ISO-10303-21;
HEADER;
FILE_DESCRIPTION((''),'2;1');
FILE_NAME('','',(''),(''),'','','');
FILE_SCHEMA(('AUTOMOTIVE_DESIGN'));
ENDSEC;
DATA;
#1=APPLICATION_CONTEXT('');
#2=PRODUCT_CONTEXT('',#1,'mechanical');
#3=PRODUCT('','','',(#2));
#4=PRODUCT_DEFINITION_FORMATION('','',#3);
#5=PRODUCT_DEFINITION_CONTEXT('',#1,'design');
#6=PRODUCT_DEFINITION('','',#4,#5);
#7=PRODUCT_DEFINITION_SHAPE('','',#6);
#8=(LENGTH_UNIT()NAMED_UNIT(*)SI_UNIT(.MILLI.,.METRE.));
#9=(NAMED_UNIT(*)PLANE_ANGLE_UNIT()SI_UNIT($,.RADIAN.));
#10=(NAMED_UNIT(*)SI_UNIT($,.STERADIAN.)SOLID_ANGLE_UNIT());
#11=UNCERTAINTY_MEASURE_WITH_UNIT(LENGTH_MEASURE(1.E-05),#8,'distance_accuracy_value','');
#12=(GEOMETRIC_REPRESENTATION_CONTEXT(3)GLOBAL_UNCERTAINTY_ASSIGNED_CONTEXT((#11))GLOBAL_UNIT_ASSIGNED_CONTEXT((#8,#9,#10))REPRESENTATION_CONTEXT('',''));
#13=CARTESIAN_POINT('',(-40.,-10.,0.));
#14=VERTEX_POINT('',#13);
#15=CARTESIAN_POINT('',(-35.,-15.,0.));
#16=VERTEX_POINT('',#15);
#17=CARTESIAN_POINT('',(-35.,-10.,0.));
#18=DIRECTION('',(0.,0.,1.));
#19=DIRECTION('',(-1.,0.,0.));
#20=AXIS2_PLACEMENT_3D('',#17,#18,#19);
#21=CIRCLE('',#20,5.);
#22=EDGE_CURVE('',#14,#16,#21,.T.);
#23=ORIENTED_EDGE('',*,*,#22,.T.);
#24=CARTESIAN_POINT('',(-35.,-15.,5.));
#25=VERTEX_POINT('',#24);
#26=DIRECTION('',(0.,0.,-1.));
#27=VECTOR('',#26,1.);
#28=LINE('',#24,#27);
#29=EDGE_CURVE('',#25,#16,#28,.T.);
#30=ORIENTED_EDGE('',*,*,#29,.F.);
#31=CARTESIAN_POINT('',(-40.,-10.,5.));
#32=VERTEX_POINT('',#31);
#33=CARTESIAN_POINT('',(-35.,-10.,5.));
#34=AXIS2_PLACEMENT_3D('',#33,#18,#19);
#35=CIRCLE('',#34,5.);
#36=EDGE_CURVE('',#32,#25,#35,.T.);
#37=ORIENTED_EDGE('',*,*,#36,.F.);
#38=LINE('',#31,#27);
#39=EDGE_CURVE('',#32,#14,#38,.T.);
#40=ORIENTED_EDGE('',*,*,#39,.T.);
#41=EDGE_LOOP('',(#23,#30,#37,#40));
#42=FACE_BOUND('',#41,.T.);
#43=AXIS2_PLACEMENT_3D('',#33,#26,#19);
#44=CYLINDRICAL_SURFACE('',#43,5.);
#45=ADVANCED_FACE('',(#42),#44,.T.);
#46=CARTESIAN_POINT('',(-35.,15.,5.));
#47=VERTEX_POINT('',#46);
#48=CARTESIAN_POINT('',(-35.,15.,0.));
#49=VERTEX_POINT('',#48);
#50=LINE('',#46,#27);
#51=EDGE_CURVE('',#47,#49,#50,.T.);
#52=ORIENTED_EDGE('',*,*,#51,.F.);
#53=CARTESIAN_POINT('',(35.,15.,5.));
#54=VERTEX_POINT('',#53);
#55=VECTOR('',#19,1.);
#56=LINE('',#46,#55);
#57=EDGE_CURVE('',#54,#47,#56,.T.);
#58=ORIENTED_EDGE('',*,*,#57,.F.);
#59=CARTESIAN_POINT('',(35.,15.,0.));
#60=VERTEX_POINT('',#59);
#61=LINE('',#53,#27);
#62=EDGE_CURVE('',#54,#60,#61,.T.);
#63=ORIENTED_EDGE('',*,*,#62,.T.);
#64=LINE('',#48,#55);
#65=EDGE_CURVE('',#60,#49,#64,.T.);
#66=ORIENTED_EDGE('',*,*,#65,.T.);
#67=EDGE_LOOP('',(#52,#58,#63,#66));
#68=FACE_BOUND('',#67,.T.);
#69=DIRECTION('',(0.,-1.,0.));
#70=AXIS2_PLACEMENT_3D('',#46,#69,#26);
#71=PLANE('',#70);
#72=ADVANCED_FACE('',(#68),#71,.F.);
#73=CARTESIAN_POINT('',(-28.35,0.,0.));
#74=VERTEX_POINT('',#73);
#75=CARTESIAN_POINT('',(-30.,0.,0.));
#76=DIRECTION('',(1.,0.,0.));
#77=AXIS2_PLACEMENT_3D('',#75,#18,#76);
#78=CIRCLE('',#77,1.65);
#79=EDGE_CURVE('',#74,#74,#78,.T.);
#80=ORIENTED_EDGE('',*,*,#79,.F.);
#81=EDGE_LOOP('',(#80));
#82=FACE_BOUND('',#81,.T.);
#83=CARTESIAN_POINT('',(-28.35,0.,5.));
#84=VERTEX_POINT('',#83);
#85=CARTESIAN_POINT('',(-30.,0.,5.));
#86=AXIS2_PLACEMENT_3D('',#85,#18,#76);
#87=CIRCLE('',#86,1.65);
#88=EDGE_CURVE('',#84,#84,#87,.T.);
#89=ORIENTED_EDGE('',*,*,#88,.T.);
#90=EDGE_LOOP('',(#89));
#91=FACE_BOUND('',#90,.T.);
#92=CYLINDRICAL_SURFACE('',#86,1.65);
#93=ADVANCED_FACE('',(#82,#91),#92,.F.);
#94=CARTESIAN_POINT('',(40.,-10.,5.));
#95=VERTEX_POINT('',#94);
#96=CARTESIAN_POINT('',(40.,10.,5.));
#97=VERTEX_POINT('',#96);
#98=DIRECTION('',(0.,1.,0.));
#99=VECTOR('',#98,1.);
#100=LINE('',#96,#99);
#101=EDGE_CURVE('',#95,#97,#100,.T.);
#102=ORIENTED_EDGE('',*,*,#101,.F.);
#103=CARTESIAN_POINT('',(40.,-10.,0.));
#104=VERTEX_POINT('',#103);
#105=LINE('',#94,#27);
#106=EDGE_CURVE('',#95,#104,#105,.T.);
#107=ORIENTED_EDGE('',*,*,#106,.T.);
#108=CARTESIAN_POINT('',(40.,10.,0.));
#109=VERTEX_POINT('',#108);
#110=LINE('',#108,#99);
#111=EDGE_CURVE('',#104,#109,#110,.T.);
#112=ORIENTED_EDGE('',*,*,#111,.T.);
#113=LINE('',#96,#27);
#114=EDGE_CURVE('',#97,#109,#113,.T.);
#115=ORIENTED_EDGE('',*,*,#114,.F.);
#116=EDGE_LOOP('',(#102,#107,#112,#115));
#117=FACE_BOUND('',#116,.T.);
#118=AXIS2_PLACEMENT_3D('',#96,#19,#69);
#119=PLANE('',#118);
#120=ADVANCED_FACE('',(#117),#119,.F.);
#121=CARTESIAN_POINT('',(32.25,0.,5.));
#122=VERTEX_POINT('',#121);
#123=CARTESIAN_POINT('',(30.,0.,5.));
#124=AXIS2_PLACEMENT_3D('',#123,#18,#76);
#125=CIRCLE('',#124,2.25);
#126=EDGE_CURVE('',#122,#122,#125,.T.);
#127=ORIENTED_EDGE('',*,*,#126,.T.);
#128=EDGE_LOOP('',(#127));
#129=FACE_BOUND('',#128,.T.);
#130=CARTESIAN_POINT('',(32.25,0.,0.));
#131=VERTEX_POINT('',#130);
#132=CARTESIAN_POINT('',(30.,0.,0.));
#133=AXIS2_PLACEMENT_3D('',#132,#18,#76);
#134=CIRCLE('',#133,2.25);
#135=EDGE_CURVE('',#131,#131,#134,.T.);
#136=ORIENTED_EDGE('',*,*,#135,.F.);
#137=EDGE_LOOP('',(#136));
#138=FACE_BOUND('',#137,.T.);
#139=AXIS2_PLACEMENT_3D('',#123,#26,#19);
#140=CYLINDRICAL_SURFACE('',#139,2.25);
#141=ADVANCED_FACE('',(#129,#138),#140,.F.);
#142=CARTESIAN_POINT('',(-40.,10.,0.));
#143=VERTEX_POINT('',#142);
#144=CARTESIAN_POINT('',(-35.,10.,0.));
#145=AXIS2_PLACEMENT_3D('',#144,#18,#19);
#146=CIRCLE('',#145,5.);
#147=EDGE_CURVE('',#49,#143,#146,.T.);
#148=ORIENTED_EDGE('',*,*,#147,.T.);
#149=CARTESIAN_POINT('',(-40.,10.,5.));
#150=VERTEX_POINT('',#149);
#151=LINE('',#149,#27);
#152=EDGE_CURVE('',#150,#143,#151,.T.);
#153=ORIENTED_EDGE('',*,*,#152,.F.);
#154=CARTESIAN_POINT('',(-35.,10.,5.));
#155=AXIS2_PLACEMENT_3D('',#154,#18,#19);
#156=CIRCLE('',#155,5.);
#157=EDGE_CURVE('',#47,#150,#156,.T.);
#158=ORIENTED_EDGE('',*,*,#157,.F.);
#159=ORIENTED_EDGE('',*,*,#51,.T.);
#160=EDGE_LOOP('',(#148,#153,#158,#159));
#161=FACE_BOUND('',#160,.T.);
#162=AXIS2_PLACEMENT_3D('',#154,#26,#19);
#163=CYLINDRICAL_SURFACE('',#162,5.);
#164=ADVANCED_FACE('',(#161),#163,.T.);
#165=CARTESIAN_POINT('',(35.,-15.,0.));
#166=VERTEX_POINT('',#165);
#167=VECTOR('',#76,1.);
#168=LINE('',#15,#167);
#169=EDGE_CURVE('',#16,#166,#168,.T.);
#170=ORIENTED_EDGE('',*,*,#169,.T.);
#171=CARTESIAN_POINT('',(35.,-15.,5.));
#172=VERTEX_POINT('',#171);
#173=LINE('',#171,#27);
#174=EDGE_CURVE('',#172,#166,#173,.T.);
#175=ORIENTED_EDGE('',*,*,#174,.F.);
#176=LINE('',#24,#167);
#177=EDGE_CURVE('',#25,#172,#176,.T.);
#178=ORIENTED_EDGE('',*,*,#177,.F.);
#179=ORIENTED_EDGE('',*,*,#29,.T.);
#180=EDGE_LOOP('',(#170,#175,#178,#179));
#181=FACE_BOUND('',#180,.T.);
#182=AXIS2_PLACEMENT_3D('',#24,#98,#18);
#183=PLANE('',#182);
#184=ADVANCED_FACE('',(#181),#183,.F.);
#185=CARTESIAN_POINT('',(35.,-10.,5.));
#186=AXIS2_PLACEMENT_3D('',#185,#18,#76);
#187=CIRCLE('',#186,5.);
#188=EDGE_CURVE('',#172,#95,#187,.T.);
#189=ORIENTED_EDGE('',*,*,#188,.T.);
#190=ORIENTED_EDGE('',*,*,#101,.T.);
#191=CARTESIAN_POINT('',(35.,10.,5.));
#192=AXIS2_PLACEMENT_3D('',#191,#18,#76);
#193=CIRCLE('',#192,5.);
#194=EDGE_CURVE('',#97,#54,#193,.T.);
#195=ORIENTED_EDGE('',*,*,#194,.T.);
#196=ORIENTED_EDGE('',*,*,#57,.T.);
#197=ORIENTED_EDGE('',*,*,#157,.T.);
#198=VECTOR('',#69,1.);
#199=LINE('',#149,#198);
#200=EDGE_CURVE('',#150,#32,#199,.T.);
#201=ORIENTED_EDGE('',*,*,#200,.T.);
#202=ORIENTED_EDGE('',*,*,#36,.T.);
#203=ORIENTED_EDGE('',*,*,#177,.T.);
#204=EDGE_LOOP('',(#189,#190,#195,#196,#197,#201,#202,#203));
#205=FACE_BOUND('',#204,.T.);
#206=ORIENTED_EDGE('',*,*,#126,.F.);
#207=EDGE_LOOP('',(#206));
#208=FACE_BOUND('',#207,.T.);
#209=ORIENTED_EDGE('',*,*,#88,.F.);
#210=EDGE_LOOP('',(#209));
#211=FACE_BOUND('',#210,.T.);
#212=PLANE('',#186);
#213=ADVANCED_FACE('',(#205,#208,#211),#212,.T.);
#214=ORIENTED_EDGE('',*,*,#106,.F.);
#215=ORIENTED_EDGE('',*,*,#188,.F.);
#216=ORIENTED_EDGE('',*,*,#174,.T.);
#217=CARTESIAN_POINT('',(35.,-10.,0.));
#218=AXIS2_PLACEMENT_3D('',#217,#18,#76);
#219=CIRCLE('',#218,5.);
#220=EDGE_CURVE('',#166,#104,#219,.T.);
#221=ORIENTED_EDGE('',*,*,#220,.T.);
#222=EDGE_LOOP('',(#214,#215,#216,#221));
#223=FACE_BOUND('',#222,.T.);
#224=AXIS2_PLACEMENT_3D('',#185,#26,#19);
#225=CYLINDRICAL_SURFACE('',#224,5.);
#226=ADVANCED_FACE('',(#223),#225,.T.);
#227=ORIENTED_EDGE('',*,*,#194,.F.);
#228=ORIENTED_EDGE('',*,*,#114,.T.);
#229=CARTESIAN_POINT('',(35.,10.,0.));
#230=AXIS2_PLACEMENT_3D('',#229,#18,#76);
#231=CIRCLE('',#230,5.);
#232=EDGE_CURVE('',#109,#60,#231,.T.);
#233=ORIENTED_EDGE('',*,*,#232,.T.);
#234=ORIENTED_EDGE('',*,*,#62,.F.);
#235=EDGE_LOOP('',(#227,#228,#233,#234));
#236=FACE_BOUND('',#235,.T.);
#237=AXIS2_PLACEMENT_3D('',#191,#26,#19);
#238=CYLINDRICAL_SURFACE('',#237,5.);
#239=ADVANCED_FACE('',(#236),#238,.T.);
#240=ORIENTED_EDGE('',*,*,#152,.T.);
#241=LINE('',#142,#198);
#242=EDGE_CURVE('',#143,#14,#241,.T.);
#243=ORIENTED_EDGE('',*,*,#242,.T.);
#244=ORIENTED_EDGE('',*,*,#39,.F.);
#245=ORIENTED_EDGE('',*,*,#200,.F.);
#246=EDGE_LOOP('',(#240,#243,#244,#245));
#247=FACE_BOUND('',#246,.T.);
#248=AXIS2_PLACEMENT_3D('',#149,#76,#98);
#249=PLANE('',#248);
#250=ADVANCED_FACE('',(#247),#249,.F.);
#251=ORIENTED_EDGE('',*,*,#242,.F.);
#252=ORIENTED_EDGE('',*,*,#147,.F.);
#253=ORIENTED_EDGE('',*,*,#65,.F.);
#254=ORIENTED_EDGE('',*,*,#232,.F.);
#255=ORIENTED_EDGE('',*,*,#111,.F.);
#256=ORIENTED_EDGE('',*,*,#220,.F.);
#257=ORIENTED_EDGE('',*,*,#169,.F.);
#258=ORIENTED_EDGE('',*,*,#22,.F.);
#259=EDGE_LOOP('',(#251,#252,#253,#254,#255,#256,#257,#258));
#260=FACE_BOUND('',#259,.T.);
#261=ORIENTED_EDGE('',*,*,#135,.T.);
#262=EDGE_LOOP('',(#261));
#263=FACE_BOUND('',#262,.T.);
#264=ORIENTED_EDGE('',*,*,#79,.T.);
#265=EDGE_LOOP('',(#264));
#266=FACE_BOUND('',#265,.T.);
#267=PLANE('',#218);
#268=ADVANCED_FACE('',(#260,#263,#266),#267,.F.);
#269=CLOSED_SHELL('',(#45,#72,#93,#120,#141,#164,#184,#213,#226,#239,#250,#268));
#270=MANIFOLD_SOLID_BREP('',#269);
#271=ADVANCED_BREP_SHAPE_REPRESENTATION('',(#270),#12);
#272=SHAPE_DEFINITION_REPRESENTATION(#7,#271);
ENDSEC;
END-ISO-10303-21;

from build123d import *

# Parameters (mm, degrees)
ESQUISSE1_R        = 2.25
BOSS_EXTRU_1_DEPTH = 5
TROU_TARAUD_M41_D  = 3.3


with BuildPart() as part:
    # Esquisse1 → Boss.-Extru.1 (new body)
    with BuildSketch(Plane.XY):
        with BuildLine():
            Line((-35, 15), (35, 15))
            ThreePointArc((35, 15), (38.535533906, 13.535533906), (40, 10))
            Line((40, 10), (40, -10))
            ThreePointArc((40, -10), (38.535533906, -13.535533906), (35, -15))
            Line((35, -15), (-35, -15))
            ThreePointArc((-35, -15), (-38.535533906, -13.535533906), (-40, -10))
            Line((-40, -10), (-40, 10))
            ThreePointArc((-40, 10), (-38.535533906, 13.535533906), (-35, 15))
        make_face()
        with Locations((30, 0)):
            Circle(ESQUISSE1_R, mode=Mode.SUBTRACT)
    extrude(amount=BOSS_EXTRU_1_DEPTH)

    # Trou taraudé M41 (through all)
    with Locations(Plane.XY.offset(5)):
        with Locations((-30, 0)):
            Hole(TROU_TARAUD_M41_D / 2)


solid = part.part
